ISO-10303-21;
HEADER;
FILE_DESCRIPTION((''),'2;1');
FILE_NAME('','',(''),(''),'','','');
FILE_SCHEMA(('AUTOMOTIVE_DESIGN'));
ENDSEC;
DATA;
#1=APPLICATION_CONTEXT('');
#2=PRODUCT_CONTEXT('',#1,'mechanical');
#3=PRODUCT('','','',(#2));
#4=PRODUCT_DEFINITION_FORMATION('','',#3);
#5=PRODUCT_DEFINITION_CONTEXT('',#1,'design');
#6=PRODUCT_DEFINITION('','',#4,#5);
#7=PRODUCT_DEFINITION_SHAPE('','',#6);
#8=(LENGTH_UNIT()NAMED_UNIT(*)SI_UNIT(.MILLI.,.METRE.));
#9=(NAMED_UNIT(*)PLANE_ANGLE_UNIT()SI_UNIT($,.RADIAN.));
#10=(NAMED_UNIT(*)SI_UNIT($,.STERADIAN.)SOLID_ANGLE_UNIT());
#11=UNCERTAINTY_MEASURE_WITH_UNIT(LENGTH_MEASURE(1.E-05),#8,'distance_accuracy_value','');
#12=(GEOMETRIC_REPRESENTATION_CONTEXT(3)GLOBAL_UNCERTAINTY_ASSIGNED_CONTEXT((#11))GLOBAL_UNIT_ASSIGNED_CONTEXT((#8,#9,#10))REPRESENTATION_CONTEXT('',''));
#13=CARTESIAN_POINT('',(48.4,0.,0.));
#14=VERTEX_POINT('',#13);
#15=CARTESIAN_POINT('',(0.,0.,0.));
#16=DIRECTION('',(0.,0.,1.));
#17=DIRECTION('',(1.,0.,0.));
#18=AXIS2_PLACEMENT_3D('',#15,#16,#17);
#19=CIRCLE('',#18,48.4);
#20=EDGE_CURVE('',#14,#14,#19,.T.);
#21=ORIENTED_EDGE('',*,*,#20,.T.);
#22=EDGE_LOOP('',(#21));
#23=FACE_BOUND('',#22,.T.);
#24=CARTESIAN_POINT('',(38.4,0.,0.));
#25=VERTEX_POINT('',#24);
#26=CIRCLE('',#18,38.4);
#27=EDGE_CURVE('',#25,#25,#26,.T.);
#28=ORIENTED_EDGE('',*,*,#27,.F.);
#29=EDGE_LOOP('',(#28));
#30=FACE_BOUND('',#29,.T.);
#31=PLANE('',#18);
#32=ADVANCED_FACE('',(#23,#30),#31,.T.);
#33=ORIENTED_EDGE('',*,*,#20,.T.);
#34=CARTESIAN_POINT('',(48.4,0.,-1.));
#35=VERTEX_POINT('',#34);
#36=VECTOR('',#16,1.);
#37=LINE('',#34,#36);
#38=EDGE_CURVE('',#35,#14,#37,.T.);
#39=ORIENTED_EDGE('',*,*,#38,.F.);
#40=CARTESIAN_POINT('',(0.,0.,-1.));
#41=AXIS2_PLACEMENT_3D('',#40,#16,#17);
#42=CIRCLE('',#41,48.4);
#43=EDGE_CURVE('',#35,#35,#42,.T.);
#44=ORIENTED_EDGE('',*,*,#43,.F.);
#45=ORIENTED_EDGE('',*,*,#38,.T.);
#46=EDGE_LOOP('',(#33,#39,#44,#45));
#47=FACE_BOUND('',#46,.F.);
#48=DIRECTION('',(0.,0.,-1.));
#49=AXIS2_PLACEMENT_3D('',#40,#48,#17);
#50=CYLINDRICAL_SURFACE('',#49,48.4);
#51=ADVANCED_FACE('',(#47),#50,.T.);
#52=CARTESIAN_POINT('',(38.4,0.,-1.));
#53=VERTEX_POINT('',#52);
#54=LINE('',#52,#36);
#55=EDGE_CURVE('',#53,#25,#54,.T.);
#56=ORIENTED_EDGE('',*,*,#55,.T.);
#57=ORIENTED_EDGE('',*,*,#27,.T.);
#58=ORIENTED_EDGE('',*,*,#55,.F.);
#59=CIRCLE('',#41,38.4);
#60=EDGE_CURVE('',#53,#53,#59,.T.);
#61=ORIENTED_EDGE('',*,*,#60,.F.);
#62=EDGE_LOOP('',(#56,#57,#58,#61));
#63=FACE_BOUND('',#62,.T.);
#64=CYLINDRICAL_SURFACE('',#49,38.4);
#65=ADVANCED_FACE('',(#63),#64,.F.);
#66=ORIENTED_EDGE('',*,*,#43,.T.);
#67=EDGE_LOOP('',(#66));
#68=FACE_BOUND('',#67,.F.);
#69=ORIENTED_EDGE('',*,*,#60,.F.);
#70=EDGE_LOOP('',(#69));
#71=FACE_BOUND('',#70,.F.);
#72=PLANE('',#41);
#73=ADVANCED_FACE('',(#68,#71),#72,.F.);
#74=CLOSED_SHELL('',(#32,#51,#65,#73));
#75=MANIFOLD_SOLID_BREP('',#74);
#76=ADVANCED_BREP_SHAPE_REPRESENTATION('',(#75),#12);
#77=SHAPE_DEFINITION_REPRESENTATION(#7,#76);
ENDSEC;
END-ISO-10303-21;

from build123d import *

# Parameters (mm, degrees)
CYLINDER002_R     = 38.4
CYLINDER002_DEPTH = 1
CYLINDER001_R     = 48.4
CYLINDER001_DEPTH = 1


with BuildPart() as bottom_wall_cutout:
    # Cylinder002 → Cylinder002 (new body)
    with BuildSketch(Plane.XY.offset(-1)):
        Circle(CYLINDER002_R)
    extrude(amount=CYLINDER002_DEPTH)


with BuildPart() as bottom_flange:
    # Cylinder001 → Cylinder001 (new body)
    with BuildSketch(Plane.XY.offset(-1)):
        Circle(CYLINDER001_R)
    extrude(amount=CYLINDER001_DEPTH)

    # Cut002: cut bottom_wall_cutout
    add(bottom_wall_cutout.part, mode=Mode.SUBTRACT)


solid = bottom_flange.part
